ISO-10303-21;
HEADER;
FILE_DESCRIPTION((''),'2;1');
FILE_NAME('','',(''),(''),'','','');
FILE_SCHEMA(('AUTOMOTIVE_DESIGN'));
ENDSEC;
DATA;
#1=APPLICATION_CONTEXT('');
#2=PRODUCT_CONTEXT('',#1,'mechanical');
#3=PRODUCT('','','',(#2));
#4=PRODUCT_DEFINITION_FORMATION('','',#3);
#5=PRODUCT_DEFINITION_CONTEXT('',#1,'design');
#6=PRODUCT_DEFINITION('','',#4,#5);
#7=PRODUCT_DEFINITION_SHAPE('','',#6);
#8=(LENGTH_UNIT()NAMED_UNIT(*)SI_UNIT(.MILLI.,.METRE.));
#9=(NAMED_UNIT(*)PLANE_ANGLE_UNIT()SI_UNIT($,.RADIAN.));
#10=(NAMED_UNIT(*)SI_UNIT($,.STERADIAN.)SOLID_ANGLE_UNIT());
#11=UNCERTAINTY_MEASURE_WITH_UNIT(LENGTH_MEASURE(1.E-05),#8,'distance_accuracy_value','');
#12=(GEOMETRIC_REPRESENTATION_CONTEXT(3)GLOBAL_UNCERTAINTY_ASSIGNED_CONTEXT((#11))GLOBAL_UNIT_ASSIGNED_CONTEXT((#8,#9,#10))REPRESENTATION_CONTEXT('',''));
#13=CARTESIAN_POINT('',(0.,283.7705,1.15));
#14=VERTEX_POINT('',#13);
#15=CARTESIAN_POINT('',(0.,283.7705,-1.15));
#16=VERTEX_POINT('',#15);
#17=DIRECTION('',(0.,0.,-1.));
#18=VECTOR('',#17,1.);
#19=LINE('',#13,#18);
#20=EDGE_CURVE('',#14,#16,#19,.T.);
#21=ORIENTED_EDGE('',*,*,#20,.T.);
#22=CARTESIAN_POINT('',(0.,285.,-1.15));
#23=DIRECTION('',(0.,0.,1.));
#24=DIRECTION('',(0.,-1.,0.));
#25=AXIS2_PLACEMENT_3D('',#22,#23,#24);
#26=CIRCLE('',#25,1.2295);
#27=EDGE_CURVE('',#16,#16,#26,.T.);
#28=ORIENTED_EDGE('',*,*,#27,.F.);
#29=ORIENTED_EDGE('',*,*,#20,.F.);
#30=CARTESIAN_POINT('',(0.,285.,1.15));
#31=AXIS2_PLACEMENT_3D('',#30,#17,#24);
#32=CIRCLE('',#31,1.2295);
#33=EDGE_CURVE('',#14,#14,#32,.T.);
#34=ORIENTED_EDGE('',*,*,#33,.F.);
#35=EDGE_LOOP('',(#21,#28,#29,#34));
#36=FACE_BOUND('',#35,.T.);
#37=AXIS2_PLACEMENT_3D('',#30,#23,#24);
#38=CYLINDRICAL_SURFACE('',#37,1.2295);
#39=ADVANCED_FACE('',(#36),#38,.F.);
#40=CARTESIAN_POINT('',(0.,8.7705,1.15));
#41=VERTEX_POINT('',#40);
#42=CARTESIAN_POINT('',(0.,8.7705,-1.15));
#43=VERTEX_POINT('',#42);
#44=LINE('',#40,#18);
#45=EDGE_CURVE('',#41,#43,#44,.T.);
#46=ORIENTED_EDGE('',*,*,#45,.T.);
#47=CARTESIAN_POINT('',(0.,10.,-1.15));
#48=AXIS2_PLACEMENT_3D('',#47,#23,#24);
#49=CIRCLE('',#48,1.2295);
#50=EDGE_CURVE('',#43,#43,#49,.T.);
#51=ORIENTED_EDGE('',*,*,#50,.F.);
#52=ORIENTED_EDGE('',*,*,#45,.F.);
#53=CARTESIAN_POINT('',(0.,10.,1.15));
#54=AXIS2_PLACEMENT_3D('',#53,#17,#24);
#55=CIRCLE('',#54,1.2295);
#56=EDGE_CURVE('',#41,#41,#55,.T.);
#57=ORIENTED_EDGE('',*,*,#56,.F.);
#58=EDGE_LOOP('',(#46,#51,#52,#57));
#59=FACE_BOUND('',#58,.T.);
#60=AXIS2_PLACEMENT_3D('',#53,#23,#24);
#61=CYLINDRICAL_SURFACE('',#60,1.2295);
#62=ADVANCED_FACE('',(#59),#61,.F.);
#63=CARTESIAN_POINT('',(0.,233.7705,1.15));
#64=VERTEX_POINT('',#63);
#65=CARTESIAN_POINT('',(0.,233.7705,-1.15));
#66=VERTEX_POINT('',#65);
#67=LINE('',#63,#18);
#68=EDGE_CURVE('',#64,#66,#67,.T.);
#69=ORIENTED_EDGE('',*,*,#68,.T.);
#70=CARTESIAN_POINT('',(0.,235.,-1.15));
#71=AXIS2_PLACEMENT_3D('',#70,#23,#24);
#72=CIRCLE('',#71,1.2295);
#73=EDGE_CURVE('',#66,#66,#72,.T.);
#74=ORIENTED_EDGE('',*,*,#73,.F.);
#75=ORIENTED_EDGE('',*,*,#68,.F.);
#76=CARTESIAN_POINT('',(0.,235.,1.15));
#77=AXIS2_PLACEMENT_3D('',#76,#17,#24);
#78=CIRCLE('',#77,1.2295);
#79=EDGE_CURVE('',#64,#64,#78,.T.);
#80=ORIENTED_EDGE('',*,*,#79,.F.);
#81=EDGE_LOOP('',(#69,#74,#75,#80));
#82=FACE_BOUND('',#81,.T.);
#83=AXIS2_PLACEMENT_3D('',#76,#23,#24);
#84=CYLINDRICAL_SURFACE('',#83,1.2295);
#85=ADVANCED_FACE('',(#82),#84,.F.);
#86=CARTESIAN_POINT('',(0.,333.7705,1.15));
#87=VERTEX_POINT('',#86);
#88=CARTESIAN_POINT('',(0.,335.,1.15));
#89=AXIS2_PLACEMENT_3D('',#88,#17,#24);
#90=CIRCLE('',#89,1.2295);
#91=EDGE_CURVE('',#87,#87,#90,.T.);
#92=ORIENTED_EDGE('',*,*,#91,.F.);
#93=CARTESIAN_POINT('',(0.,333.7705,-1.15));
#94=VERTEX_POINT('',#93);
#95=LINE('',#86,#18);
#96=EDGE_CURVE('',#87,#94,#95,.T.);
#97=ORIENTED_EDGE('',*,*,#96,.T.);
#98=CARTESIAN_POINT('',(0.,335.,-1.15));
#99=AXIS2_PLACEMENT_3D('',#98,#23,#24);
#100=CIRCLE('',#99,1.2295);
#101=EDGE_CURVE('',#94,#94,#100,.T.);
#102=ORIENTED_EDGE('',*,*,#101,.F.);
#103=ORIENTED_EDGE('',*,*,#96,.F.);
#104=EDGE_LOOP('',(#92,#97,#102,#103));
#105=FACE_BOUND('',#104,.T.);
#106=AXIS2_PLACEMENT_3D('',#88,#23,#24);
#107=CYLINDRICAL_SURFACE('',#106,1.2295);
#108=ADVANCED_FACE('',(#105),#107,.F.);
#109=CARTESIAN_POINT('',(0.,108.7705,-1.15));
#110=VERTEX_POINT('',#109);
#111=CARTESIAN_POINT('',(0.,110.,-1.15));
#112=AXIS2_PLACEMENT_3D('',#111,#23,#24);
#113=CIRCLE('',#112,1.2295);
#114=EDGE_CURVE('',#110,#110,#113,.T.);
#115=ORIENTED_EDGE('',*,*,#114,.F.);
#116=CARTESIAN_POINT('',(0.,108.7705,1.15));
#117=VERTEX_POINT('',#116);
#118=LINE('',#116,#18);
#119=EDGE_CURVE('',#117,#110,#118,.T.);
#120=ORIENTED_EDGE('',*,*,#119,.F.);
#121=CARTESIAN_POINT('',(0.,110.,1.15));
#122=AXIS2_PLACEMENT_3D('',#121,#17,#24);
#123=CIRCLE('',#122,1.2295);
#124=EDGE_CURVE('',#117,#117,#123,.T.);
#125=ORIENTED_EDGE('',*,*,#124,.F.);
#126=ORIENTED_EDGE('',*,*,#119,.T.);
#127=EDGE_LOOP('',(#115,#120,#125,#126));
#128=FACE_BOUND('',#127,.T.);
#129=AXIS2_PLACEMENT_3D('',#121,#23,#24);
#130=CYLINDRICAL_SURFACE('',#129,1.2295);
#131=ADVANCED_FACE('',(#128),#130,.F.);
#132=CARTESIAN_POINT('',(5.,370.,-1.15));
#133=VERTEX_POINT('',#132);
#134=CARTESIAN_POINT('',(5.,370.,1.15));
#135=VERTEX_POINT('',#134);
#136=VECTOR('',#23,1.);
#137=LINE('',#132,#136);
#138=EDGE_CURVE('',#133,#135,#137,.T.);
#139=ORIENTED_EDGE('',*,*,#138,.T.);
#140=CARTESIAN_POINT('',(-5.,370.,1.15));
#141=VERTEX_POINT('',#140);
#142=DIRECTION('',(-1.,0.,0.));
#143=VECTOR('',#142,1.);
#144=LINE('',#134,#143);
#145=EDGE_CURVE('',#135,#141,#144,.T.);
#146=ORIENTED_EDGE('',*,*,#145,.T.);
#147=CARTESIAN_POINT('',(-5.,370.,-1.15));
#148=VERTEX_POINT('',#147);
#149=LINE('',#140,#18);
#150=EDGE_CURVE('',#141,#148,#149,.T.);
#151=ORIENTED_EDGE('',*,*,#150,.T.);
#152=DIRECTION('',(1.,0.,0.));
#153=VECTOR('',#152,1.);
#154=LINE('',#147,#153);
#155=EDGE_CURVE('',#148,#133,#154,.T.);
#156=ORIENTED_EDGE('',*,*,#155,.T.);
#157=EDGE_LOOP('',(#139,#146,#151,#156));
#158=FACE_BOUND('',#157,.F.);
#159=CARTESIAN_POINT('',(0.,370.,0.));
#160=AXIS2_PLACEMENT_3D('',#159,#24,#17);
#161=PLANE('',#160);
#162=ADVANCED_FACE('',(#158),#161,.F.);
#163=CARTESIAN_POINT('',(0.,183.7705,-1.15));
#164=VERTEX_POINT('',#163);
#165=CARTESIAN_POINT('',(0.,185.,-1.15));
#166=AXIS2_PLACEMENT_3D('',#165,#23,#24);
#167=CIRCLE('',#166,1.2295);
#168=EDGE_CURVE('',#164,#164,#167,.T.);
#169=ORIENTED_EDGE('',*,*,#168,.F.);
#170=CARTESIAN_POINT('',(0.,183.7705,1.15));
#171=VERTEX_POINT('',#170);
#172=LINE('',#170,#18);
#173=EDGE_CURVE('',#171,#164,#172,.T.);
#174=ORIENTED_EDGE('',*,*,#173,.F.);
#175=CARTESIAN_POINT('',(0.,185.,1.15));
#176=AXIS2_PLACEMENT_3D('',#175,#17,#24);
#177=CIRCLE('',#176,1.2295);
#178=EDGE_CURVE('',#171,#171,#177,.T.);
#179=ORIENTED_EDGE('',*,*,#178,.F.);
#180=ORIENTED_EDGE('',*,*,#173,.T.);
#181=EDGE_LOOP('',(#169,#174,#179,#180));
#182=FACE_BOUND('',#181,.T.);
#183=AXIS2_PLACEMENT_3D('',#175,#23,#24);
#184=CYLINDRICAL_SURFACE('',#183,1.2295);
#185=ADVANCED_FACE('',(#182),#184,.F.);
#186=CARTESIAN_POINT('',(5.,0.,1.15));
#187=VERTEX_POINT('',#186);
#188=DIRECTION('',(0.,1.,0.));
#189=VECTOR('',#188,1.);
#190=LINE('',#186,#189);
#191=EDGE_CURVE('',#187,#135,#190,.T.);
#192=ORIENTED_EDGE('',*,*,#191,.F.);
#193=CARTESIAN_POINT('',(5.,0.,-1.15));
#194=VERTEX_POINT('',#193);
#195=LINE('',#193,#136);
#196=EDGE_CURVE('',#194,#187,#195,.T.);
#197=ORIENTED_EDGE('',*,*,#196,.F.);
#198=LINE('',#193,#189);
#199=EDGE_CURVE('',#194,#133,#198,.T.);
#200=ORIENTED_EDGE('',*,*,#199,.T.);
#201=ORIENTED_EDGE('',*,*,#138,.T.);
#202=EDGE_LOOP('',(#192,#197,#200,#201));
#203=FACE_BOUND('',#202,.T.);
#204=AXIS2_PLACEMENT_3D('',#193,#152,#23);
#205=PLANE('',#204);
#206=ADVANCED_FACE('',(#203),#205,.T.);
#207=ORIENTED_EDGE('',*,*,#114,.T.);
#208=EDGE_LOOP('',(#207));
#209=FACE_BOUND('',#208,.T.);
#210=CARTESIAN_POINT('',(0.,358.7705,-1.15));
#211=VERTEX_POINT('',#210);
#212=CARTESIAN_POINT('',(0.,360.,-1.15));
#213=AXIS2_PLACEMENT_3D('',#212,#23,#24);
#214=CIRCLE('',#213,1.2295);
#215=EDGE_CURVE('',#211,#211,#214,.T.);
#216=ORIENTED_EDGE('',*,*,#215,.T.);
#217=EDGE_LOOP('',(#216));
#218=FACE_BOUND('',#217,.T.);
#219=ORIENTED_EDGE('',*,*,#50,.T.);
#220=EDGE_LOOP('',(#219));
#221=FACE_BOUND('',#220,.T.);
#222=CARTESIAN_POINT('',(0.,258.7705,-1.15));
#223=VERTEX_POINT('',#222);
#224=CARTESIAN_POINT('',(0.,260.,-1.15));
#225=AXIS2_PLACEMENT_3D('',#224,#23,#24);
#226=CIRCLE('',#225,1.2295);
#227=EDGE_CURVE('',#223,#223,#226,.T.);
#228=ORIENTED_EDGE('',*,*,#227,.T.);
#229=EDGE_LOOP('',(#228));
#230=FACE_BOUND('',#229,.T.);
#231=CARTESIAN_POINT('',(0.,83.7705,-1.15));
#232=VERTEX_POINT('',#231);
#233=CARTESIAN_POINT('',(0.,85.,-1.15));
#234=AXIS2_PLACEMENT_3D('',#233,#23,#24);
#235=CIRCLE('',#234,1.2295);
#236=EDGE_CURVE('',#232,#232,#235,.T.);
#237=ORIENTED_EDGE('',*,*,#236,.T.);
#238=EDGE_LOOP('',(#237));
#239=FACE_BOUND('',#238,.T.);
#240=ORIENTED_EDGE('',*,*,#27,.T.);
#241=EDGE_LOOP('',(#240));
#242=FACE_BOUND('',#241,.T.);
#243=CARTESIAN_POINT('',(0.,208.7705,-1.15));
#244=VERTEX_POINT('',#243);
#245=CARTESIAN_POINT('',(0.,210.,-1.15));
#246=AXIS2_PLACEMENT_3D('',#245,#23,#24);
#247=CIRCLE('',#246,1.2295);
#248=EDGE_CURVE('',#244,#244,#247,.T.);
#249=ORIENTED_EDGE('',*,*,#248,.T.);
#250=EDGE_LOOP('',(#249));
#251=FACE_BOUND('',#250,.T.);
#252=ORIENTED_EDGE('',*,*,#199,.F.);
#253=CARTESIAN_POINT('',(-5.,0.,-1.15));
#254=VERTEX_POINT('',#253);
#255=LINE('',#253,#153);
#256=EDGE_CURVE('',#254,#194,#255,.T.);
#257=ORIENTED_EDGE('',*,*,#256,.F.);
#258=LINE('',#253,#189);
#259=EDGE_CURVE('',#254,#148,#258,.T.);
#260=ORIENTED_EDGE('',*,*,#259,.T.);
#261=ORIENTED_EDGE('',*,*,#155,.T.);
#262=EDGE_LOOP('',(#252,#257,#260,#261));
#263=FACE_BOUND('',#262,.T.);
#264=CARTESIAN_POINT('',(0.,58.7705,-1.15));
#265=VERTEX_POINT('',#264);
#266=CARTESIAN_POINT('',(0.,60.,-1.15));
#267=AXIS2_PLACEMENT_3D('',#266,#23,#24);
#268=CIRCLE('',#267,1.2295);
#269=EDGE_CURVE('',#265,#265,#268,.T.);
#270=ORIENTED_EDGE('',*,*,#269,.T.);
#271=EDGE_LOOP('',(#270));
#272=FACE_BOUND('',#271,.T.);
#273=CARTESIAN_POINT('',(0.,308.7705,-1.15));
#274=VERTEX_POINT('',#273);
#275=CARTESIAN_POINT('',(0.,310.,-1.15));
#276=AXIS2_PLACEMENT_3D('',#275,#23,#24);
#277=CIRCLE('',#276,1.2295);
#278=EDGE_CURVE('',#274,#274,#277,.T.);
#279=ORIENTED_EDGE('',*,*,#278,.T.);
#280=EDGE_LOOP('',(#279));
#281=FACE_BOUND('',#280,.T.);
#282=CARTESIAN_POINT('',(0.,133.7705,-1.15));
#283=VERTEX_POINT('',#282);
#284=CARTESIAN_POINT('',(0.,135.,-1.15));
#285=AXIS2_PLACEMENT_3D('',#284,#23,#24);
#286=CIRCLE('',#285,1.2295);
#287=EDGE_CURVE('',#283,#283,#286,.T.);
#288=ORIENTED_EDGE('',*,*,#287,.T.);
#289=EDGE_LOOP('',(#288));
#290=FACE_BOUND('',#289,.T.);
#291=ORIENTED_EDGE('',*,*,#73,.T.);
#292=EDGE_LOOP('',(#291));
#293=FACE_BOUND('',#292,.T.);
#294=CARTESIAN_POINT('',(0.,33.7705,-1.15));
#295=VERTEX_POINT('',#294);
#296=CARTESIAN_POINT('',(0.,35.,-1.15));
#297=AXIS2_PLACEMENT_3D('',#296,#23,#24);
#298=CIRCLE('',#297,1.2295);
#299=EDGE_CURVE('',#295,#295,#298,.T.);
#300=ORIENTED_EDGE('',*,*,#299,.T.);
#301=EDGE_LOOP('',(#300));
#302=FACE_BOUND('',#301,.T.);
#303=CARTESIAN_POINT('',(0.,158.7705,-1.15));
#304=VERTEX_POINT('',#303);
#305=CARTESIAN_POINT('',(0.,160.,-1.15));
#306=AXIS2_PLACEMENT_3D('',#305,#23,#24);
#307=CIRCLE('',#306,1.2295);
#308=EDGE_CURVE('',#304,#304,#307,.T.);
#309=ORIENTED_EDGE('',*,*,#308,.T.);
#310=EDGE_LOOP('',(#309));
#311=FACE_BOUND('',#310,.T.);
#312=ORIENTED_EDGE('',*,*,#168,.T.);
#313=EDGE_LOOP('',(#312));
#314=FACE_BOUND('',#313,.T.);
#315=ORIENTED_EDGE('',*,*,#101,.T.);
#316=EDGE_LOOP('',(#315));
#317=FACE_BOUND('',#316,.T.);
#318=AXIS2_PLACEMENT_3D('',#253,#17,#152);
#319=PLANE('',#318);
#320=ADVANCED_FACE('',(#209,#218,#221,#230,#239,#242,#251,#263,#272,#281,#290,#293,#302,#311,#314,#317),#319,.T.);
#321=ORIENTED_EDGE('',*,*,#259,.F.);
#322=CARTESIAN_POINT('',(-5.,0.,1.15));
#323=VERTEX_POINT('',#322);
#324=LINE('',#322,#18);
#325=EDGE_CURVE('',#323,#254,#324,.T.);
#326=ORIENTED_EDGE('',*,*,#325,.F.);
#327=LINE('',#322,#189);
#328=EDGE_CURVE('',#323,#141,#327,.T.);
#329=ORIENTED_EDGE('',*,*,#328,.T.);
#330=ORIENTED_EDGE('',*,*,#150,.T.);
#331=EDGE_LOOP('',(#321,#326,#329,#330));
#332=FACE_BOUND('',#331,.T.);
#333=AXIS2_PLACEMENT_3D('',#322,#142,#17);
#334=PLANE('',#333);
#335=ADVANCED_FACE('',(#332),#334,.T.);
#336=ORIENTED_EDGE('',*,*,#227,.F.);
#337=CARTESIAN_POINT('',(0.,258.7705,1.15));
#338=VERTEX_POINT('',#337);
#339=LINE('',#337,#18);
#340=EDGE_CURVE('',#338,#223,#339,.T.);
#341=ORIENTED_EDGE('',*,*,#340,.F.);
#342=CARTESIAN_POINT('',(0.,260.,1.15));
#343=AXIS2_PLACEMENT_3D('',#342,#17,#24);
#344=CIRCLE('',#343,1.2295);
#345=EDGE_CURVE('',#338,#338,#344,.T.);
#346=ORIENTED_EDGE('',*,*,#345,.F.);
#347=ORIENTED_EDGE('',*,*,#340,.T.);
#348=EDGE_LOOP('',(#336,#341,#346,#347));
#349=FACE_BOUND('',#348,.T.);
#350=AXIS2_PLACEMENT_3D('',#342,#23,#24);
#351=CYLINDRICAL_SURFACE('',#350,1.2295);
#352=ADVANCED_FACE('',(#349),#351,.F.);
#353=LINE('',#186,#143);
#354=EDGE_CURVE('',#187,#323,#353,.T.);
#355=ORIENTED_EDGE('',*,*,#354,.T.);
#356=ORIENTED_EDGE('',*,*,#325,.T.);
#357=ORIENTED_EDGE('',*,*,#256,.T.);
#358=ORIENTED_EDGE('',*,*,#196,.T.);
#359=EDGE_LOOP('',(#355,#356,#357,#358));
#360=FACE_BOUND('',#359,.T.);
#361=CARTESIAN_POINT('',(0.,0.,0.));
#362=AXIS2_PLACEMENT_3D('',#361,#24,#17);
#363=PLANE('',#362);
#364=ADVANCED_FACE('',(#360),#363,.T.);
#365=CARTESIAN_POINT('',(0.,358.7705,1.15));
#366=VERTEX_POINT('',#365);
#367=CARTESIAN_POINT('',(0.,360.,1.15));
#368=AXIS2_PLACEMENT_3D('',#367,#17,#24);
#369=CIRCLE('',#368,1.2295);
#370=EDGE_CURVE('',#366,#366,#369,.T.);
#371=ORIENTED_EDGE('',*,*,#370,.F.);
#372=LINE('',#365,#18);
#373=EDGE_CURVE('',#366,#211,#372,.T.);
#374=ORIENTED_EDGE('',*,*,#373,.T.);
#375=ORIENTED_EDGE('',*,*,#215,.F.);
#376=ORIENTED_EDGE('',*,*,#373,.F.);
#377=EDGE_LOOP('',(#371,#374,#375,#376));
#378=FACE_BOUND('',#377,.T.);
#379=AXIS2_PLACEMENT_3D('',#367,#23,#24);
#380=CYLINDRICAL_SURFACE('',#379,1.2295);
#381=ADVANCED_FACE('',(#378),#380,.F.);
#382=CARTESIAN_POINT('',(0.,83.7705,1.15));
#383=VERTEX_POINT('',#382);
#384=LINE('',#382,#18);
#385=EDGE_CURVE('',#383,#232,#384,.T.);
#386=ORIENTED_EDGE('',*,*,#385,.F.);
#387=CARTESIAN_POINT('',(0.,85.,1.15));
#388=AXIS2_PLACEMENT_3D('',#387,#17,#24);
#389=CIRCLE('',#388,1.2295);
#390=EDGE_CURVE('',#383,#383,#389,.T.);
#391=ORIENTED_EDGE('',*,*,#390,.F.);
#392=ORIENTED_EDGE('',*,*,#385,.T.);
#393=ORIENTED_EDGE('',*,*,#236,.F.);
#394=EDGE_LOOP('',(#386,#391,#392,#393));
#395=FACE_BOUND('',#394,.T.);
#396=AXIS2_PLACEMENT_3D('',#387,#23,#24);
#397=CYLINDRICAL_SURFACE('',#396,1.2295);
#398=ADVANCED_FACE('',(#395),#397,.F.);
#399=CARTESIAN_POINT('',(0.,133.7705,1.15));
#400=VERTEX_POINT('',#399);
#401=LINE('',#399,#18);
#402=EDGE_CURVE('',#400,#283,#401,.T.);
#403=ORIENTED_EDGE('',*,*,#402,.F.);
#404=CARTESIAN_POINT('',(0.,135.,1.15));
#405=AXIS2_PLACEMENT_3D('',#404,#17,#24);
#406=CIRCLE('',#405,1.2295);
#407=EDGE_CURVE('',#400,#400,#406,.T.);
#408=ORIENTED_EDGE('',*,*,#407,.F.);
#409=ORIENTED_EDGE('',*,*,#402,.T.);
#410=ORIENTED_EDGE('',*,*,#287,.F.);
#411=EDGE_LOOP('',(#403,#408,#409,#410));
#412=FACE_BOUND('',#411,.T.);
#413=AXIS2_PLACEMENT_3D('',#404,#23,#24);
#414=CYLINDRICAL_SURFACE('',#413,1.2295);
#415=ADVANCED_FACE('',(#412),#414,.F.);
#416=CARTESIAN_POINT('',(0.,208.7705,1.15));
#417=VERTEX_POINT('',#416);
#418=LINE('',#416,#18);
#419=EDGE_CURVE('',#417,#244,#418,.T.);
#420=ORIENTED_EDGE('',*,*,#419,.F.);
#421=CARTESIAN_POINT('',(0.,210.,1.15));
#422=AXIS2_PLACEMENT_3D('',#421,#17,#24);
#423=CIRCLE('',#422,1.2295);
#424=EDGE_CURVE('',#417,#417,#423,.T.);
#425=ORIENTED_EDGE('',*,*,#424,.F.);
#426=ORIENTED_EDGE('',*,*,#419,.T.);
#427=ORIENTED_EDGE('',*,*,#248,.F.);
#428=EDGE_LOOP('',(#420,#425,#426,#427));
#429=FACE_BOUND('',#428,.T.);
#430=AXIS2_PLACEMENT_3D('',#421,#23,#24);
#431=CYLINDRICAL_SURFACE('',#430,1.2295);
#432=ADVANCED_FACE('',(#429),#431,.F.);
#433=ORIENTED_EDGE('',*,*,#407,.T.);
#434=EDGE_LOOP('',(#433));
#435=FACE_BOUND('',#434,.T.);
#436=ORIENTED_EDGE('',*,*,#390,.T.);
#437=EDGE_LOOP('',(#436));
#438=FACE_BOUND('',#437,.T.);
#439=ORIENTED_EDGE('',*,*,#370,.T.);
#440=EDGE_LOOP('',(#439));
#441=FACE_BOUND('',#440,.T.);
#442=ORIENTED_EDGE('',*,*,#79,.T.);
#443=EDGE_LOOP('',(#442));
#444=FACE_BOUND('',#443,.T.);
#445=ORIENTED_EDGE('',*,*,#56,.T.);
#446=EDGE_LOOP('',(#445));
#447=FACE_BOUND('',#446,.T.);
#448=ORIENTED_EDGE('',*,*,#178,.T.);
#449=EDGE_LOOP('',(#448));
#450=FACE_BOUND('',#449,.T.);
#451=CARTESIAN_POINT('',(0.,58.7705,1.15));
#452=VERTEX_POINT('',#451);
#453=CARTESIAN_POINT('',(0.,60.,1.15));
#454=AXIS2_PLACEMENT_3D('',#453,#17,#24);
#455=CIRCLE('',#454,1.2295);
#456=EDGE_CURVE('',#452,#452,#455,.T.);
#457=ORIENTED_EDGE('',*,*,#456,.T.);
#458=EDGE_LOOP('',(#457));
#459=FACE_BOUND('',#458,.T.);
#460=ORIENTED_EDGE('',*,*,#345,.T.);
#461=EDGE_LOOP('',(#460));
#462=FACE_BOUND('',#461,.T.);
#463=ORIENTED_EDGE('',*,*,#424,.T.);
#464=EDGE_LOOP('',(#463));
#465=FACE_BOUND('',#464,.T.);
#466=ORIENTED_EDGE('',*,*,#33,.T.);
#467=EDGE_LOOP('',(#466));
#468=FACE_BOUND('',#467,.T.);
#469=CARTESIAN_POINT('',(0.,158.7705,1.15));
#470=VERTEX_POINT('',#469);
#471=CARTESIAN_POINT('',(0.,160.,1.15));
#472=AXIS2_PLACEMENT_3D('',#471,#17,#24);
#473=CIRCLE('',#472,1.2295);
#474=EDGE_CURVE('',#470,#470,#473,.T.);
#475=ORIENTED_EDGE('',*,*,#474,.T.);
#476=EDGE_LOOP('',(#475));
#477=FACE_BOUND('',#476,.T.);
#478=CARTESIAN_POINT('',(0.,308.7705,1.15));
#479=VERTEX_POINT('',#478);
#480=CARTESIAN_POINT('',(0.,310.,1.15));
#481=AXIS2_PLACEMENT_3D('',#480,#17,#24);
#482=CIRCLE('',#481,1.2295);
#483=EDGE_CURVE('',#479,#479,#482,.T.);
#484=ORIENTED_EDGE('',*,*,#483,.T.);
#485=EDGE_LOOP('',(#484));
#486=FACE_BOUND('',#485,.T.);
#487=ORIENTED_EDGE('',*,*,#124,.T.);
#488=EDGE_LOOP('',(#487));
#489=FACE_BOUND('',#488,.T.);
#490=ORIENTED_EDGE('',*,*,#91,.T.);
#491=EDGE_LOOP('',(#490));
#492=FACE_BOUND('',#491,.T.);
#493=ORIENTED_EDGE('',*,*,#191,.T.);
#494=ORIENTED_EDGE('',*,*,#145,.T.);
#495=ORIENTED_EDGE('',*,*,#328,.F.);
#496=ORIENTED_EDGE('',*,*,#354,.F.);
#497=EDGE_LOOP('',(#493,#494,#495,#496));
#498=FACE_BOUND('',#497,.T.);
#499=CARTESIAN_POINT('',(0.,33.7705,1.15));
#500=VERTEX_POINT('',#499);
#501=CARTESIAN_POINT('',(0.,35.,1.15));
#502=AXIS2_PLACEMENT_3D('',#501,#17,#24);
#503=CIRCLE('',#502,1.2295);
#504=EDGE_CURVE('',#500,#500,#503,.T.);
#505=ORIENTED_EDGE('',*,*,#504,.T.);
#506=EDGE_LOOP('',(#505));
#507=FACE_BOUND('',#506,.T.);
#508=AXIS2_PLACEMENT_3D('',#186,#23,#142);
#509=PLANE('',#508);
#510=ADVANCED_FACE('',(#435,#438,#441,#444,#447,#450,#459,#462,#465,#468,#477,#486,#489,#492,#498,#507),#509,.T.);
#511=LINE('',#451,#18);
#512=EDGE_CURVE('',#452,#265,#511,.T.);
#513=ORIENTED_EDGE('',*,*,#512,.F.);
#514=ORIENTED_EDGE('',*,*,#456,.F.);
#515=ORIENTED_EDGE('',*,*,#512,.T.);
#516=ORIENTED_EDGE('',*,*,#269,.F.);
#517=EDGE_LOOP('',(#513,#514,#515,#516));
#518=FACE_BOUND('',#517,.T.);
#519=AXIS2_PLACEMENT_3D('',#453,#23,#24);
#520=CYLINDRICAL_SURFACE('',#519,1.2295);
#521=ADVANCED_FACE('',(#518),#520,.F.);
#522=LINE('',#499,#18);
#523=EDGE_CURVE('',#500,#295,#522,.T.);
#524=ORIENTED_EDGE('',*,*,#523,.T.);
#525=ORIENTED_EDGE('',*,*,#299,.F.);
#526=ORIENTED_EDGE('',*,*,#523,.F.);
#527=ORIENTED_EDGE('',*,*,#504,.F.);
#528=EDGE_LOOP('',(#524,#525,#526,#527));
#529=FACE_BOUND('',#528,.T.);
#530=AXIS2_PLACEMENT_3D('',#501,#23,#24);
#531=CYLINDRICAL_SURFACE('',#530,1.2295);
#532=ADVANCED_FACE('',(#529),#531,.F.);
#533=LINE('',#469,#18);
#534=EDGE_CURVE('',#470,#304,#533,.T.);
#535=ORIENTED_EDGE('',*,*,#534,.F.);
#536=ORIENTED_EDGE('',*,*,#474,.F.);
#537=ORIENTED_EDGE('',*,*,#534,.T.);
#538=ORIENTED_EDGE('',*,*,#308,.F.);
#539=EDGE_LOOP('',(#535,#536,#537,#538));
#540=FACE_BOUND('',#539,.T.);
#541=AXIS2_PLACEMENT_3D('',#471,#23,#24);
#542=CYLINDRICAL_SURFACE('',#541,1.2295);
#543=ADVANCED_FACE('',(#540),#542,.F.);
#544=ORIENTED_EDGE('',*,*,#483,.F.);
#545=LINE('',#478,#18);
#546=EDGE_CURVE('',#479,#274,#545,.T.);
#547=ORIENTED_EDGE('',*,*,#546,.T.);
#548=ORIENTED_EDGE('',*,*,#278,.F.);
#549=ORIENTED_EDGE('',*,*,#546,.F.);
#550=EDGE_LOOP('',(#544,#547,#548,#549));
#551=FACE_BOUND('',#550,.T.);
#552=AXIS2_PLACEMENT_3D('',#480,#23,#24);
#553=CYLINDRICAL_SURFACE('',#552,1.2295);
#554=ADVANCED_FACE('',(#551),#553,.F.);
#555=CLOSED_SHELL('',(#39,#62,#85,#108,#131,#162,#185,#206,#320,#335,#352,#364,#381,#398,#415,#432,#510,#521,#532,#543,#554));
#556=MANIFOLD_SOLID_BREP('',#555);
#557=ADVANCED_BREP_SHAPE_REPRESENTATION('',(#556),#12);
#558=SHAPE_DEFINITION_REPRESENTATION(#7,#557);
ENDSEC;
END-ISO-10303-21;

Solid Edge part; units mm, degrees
sketch "Sketch1" plane through (0, 0, 0) normal (0, -1, 0) x (1, 0, 0)
  line L0 (-5, -1.15) -> (5, -1.15)
  line L1 (5, -1.15) -> (5, 1.15)
  line L2 (5, 1.15) -> (-5, 1.15)
  line L3 (-5, 1.15) -> (-5, -1.15)
  dimension "D1" = 10
  dimension "D2" = 2.3
extrude "Protrusion1" add sketch "Sketch1" against normal blind 370
hole "Hole_1" at (0, 10, 1.15) direction (0, 0, -1) diameter 2.459 end up to next
pattern_linear "Pattern1" count 15 spacing 25 along (0, 1, 0) of "Hole_1"
properties material "Stainless Steel, 304"
